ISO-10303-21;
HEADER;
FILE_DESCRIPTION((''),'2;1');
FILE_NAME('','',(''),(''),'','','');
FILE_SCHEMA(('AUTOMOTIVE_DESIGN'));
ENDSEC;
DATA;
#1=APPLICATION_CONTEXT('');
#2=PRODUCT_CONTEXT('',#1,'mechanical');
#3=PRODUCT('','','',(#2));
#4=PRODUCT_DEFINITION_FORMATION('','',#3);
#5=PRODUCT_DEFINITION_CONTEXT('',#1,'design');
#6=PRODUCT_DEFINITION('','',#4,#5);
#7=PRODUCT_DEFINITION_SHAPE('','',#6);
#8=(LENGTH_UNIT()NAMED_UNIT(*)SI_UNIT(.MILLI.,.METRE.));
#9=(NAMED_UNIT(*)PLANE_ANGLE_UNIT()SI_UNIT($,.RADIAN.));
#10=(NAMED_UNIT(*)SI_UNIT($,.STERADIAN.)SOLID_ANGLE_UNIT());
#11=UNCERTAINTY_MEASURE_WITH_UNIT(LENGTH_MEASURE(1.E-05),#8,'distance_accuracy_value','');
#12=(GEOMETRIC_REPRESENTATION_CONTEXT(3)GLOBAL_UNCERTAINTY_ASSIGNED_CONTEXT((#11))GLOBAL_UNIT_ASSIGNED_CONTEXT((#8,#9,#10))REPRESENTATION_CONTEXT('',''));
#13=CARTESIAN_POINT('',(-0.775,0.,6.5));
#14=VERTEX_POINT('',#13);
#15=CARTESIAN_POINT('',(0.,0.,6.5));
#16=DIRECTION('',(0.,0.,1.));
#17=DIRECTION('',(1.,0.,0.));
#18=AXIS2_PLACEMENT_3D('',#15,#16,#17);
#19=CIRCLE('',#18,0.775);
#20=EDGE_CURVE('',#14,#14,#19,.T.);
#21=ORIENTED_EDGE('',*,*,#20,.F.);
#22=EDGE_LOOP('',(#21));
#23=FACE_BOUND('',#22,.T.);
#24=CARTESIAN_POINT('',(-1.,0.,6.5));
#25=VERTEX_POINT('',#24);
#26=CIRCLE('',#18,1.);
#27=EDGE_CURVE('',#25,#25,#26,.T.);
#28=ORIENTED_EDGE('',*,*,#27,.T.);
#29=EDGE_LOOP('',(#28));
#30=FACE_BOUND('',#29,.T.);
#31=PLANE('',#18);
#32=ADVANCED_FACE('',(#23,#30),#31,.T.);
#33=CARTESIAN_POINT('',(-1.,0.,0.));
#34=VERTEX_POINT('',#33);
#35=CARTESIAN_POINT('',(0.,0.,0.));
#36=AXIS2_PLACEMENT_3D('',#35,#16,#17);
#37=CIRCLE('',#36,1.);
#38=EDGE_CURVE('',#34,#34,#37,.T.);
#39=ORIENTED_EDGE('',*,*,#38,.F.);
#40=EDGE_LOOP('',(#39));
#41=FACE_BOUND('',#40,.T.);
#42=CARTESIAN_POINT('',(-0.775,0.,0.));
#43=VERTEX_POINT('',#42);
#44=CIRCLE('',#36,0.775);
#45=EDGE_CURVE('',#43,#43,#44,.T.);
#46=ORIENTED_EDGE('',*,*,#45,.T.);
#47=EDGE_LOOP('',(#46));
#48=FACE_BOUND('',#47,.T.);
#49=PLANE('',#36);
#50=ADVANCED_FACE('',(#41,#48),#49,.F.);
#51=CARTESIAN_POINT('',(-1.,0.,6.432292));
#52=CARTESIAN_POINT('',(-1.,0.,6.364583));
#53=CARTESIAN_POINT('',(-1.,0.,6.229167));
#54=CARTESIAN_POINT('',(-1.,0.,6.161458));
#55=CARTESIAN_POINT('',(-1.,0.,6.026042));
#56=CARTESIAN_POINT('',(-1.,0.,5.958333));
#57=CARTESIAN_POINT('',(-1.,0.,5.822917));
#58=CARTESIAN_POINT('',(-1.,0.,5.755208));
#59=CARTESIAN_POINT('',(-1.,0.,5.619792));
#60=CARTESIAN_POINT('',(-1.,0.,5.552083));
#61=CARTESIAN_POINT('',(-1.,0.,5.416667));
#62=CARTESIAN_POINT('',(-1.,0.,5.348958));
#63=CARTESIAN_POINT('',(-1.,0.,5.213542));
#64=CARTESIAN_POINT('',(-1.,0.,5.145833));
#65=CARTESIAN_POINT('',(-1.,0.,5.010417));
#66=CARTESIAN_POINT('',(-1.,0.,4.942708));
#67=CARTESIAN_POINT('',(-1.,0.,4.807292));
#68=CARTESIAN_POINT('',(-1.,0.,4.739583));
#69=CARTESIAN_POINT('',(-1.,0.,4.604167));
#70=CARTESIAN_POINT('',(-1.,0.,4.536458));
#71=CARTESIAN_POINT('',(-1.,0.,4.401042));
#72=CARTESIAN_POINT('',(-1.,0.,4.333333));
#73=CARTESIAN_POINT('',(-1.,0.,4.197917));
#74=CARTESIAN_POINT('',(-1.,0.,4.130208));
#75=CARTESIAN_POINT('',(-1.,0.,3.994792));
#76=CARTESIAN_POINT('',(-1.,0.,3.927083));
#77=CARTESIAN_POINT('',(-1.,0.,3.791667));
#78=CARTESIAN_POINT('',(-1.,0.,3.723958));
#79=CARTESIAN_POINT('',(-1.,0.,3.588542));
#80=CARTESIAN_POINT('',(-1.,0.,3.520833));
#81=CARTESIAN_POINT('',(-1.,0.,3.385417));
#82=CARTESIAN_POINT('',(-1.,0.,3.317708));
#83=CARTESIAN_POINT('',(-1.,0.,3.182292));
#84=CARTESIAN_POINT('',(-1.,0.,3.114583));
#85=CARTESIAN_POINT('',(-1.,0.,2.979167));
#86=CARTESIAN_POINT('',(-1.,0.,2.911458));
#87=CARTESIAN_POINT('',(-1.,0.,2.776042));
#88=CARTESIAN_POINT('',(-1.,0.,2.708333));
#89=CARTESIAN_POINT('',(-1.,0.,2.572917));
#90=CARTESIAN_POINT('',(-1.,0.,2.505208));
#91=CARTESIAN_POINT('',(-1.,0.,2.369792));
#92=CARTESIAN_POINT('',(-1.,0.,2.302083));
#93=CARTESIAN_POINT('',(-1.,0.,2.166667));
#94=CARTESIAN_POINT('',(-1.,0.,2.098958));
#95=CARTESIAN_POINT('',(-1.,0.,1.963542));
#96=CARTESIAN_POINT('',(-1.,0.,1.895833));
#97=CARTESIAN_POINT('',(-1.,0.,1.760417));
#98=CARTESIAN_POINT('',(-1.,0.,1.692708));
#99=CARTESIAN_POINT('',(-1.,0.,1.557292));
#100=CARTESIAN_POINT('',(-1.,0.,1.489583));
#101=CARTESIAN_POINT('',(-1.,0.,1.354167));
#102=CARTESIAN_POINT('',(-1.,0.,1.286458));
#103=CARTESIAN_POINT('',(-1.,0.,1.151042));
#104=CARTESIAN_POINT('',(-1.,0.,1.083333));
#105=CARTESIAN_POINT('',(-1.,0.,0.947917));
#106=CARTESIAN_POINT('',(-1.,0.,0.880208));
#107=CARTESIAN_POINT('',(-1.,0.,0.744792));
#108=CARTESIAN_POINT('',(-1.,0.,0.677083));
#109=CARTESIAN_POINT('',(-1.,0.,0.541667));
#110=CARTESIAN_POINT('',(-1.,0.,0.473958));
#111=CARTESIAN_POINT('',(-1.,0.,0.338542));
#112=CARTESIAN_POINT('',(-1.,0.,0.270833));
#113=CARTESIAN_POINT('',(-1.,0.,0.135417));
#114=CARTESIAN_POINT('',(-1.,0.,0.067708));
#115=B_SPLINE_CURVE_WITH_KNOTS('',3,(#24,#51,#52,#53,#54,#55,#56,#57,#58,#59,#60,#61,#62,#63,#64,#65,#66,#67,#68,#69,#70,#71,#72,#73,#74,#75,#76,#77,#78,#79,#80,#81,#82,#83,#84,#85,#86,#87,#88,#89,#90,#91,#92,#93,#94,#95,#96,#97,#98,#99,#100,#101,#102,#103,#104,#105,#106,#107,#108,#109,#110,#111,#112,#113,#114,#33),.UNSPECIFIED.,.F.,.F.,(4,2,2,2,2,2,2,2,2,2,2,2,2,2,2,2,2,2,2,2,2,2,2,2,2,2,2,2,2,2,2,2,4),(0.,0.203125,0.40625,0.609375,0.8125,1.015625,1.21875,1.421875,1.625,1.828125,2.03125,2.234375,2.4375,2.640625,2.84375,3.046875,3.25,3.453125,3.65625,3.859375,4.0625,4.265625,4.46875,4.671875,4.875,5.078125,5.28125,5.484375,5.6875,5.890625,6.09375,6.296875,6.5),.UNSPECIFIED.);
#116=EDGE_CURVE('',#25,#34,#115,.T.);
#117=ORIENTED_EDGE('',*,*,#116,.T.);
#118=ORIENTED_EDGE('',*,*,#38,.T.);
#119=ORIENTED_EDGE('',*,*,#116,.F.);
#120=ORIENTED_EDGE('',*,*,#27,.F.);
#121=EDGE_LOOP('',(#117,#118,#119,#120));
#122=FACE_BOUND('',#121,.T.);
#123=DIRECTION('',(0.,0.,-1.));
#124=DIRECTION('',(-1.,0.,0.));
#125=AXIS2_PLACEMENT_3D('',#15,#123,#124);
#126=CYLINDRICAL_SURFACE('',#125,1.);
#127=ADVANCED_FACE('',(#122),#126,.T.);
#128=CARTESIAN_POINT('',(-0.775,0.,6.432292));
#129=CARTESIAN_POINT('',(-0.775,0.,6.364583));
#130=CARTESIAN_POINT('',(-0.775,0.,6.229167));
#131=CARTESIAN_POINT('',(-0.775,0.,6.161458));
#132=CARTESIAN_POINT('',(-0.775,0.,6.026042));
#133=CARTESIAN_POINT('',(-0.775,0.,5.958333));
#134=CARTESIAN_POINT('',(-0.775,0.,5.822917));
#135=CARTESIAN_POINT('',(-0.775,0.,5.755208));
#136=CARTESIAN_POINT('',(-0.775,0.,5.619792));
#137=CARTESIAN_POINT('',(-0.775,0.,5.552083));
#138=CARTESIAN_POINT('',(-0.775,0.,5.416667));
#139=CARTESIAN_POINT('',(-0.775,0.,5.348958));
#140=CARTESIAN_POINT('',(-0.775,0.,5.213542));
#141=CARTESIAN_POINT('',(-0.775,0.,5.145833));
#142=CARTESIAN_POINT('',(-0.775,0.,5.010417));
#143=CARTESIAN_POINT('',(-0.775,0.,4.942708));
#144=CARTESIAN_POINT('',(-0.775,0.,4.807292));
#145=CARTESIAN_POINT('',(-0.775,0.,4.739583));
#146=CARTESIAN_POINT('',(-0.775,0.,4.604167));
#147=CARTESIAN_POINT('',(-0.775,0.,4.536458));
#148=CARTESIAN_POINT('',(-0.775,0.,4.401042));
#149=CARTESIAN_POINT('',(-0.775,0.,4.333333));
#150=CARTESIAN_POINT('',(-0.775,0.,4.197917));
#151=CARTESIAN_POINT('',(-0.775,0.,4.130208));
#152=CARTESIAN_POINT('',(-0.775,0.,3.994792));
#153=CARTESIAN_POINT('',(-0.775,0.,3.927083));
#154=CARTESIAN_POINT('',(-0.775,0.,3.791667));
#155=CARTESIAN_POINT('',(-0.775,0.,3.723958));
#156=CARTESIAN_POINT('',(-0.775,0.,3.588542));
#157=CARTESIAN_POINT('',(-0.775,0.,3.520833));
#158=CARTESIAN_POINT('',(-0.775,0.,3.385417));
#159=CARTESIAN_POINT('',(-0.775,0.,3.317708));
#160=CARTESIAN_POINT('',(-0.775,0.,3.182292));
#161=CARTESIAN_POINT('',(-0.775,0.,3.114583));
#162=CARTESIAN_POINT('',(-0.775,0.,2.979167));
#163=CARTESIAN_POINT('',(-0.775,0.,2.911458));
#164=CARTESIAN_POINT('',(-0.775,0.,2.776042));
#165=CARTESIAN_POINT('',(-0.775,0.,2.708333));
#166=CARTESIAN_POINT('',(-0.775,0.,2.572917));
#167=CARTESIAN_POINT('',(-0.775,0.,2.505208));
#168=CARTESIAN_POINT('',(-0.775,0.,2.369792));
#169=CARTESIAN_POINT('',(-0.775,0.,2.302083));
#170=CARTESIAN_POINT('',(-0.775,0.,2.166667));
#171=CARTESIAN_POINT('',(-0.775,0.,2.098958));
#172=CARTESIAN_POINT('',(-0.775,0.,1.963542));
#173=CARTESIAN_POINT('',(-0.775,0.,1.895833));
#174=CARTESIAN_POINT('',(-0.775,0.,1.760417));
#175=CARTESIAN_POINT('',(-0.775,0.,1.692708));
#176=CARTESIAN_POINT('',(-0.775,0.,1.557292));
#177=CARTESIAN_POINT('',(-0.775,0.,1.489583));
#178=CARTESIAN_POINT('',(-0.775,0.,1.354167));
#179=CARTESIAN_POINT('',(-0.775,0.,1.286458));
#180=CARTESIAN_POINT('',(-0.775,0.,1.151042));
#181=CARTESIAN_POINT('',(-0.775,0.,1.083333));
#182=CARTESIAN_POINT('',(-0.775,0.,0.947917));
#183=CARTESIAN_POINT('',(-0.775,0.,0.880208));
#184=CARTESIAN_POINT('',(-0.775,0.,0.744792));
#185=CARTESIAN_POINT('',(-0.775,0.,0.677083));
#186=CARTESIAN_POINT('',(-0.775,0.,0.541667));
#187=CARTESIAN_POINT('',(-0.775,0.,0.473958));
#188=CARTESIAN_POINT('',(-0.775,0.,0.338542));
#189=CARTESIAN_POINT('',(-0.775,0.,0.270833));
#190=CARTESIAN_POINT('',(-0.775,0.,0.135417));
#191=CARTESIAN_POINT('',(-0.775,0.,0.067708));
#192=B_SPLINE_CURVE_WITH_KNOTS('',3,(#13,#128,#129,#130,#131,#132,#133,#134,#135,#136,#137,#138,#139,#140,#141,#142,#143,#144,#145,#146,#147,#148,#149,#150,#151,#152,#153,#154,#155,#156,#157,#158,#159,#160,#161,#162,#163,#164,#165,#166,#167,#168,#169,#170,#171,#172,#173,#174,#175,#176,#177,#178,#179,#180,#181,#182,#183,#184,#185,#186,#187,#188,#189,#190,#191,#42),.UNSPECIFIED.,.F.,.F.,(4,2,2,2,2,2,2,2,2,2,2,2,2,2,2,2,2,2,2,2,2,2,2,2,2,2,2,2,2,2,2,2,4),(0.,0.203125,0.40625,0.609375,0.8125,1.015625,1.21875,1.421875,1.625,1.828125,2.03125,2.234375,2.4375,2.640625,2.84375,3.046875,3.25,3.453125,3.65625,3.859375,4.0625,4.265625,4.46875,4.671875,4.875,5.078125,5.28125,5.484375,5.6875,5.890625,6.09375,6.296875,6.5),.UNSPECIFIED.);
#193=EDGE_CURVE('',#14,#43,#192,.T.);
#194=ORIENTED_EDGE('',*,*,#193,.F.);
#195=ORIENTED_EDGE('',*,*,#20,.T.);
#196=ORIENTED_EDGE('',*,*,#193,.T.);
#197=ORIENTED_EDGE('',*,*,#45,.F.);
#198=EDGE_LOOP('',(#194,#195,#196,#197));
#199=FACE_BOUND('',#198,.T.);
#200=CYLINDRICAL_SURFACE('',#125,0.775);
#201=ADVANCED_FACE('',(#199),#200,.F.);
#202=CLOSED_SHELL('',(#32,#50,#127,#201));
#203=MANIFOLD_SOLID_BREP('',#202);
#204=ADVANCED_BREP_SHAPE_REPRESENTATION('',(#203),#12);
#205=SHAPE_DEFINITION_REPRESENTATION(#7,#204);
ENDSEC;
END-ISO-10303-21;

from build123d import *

# Parameters (mm, degrees)
SKETCH_1_R      = 1
SKETCH_1_R_2    = 0.775
EXTRUDE_1_DEPTH = 6.5


with BuildPart() as part:
    # Эскиз1 → Бобышка-Вытянуть1 (new body)
    with BuildSketch(Plane.XY):
        with Locations(Location((0, 0, 0), (0, 0, 180))):
            Circle(SKETCH_1_R)
        with Locations(Location((0, 0, 0), (0, 0, 180))):
            Circle(SKETCH_1_R_2, mode=Mode.SUBTRACT)
    extrude(amount=EXTRUDE_1_DEPTH)


solid = part.part
